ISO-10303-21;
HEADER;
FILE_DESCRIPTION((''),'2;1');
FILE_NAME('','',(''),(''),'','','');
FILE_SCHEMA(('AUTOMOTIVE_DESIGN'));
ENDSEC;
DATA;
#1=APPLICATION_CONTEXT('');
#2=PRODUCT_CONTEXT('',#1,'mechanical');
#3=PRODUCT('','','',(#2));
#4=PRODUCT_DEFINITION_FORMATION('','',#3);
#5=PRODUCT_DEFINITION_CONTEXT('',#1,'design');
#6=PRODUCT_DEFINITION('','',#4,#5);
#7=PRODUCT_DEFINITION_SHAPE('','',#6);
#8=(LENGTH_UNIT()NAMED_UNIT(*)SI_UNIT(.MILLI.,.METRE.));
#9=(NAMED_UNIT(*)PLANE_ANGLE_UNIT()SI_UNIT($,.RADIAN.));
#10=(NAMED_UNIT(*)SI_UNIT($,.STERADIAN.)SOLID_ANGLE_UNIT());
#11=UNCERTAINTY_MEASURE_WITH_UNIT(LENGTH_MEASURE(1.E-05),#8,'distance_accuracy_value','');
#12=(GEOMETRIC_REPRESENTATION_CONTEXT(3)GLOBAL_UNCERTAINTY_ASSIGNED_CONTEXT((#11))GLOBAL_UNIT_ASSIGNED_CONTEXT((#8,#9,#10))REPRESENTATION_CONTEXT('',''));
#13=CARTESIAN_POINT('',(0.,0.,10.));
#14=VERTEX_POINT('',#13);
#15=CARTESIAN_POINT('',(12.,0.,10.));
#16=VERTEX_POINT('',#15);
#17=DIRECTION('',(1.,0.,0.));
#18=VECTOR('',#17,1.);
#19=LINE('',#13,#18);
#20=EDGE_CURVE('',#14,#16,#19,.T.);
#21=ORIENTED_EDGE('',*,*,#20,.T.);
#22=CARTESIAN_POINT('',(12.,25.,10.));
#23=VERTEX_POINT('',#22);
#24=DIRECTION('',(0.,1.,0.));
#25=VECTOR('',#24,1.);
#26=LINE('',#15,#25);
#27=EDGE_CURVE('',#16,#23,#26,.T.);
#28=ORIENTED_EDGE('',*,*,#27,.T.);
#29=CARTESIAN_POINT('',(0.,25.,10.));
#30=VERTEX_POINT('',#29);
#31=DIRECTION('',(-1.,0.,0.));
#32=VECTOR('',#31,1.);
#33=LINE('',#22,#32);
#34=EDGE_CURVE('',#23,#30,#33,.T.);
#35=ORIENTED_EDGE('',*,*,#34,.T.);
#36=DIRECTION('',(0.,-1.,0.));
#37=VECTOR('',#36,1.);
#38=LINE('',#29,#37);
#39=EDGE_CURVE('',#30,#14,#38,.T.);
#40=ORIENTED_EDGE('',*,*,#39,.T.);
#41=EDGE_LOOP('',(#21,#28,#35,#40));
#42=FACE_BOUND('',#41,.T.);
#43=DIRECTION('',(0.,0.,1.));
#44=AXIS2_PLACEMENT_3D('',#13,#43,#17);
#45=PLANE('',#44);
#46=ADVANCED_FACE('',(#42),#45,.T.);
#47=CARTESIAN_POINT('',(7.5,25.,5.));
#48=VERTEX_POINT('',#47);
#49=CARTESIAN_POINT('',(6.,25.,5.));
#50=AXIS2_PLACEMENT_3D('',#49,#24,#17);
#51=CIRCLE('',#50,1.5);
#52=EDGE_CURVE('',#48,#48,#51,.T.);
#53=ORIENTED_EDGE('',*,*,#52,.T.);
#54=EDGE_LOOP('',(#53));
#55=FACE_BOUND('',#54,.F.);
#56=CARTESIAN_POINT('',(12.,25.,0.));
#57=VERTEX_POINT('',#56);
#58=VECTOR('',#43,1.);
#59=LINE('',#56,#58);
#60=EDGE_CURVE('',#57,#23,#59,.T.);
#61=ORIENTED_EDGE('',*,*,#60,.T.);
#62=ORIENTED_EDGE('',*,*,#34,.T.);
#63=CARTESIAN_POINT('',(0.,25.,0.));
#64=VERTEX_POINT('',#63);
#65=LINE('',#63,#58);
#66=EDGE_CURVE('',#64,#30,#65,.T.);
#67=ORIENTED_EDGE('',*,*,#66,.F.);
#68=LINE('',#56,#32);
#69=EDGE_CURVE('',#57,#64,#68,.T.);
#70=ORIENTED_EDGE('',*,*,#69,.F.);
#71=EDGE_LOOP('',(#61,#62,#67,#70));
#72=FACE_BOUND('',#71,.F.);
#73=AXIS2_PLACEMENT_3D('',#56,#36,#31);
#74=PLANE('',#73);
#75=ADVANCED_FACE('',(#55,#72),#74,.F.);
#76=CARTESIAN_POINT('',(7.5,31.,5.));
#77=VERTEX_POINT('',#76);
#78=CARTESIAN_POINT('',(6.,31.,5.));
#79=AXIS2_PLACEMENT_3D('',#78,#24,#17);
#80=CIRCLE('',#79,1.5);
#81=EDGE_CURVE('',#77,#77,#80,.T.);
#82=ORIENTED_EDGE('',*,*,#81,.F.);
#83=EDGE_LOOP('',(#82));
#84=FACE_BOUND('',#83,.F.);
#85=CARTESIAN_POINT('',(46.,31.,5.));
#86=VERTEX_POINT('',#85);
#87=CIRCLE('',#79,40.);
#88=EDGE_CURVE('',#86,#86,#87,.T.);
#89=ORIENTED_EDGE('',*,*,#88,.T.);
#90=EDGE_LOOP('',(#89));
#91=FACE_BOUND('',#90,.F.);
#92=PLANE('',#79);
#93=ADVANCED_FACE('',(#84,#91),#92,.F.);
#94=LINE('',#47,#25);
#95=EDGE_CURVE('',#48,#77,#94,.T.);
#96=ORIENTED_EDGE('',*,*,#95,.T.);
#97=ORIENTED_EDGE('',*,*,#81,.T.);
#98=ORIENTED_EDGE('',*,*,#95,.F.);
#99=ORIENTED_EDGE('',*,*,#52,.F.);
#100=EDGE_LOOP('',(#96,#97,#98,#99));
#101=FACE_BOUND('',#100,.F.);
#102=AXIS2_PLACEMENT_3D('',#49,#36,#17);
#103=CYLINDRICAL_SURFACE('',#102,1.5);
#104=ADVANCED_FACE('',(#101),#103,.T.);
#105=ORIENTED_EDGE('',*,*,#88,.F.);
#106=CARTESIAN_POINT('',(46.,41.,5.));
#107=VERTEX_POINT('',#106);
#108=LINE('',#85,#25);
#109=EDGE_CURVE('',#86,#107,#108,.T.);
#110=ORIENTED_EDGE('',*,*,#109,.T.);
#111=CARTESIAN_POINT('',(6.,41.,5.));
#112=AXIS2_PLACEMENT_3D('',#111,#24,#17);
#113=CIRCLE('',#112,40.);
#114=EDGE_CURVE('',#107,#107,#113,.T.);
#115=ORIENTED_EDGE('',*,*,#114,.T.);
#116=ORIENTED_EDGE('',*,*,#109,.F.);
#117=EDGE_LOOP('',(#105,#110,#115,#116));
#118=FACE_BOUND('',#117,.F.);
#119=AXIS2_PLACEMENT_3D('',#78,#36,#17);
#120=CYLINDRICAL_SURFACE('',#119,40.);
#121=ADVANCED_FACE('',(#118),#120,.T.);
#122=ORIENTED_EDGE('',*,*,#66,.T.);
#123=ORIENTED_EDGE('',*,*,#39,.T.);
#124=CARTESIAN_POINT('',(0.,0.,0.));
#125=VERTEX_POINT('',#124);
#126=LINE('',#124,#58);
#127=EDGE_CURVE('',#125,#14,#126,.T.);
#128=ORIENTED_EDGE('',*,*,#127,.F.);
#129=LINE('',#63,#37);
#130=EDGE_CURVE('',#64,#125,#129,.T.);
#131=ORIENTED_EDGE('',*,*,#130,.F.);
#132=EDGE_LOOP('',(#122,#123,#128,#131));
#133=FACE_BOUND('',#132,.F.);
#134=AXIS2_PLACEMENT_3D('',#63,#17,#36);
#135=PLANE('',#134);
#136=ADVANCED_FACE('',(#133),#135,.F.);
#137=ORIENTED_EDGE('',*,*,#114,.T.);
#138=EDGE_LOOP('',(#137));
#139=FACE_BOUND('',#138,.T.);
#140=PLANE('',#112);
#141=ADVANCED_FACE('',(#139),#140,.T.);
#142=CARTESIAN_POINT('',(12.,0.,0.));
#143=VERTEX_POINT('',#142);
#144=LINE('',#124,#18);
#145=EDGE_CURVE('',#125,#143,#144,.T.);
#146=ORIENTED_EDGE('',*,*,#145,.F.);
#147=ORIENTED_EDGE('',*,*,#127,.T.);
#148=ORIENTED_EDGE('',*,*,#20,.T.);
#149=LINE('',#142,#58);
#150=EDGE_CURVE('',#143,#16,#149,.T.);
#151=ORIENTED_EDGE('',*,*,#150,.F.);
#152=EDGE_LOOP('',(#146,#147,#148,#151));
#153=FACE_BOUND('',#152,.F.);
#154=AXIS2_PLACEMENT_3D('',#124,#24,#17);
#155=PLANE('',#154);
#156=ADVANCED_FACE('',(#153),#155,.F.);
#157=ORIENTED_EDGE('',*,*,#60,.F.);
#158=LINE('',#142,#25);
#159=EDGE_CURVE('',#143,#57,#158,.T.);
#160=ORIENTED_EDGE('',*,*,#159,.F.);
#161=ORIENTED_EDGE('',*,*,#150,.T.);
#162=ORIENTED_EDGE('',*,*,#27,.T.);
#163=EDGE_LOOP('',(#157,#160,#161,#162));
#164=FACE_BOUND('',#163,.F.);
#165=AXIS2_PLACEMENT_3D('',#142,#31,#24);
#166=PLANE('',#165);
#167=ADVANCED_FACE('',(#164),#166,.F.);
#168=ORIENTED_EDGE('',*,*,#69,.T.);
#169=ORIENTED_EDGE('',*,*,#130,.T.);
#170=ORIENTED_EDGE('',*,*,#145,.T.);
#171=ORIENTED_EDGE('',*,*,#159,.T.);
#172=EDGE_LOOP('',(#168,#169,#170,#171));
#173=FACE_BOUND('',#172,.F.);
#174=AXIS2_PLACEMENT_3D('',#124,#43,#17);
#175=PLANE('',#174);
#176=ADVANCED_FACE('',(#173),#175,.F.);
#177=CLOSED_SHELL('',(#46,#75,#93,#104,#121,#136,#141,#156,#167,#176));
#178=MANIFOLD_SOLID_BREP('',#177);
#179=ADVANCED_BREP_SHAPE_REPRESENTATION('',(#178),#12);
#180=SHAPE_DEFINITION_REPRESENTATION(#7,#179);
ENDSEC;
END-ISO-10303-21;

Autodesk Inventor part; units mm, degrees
ref_plane "YZ Plane" through (0, 0, 0) normal (1, 0, 0) x (0, 1, 0)
ref_plane "XZ Plane" through (0, 0, 0) normal (0, 1, 0) x (-1, 0, 0)
ref_plane "XY Plane" through (0, 0, 0) normal (0, 0, 1) x (1, 0, 0)
sketch "Sketch1" plane through (0, 0, 0) normal (0, 0, 1) x (1, 0, 0)
  line L0 (0, 0) -> (12, 0)
  line L1 (12, 0) -> (12, 25)
  line L2 (12, 25) -> (0, 25)
  line L3 (0, 25) -> (0, 0)
  dimension "d0" = 12
  dimension "d1" = 25
extrude "Extrusion1" add sketch "Sketch1" along normal blind 10
sketch "Sketch2" plane through (0, 25, 0) normal (0, 1, 0) x (1, 0, 0)
  line L0 (12, 0) -> (0, 0) construction
  line L1 (0, 0) -> (0, -10) construction
  line L2 (12, -10) -> (0, -10) construction
  line L3 (12, 0) -> (12, -10) construction
  circle A0 centre (6, -5) radius 1.5
  point P0 (12, -5)
  point P1 (6, -10)
  dimension "d4" = 3
extrude "Extrusion2" add sketch "Sketch2" along normal blind 6
sketch "Sketch3" plane through (6, 31, 5) normal (0, 1, 0) x (1, 0, 0)
  circle A0 centre (0, 0) radius 1.5 construction
  circle A1 centre (0, 0) radius 40
  point P0 (-6, 5)
  dimension "d7" = 80
extrude "Extrusion3" add sketch "Sketch3" along normal blind 10
properties part number "Wheel and Motor"
